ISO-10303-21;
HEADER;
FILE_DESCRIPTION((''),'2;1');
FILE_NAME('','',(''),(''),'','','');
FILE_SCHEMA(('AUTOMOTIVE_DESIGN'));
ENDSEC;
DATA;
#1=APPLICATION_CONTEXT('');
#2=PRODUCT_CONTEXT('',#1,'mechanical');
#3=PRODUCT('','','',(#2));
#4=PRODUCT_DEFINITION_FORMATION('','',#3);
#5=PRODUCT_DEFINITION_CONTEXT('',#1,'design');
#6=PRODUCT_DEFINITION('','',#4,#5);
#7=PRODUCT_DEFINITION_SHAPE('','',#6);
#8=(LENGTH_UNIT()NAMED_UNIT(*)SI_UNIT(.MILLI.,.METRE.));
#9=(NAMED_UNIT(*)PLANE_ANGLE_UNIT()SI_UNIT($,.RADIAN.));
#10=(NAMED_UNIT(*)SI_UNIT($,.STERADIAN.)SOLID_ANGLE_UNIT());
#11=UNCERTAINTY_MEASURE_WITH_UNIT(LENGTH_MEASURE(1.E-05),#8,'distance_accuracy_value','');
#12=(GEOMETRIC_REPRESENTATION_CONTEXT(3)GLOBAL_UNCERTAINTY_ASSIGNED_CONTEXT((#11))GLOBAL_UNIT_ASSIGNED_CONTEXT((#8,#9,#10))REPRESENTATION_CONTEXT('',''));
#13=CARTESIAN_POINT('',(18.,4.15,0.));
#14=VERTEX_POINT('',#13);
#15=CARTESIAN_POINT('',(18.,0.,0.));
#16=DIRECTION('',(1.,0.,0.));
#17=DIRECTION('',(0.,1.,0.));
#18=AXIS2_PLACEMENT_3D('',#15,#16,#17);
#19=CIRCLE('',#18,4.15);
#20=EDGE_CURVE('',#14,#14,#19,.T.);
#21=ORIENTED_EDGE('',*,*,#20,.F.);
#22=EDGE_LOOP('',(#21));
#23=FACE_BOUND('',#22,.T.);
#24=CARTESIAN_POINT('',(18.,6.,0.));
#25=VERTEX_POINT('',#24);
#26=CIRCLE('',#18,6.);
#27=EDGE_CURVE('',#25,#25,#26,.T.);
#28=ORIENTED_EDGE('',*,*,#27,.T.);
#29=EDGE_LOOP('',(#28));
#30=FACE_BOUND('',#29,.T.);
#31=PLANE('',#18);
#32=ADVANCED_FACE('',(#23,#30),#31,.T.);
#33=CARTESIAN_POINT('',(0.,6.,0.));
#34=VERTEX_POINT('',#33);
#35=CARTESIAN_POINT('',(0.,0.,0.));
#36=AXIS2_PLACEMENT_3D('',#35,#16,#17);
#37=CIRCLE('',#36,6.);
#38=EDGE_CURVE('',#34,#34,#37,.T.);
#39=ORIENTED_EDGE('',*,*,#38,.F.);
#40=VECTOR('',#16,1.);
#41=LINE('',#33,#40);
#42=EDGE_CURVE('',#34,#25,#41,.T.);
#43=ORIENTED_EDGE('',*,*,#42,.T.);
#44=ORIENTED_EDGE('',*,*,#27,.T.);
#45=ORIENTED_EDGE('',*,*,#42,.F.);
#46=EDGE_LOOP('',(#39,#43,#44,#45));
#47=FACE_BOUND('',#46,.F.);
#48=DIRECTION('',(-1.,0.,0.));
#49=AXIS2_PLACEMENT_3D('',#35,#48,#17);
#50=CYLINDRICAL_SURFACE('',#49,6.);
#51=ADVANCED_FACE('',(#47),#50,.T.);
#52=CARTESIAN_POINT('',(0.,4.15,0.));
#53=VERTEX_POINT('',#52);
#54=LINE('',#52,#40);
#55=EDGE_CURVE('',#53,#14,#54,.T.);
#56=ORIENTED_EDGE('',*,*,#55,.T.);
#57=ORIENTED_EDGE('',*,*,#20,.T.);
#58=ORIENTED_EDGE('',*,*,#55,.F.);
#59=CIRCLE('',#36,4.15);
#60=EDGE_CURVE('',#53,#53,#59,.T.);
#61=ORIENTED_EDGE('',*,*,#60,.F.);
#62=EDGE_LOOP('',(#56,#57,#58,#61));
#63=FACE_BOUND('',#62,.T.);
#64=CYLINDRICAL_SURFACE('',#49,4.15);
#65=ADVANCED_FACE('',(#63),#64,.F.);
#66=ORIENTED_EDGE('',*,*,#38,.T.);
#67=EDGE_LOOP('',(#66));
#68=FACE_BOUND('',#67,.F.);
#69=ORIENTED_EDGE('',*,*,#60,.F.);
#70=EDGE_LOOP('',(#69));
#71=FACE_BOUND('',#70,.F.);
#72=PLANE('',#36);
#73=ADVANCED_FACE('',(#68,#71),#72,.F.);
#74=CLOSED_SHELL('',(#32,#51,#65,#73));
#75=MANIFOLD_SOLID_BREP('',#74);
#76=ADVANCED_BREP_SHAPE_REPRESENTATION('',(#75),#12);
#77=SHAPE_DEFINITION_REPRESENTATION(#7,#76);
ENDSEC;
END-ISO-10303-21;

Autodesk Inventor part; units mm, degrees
ref_plane "YZ Plane" through (0, 0, 0) normal (1, 0, 0) x (0, 1, 0)
ref_plane "XZ Plane" through (0, 0, 0) normal (0, 1, 0) x (-1, 0, 0)
ref_plane "XY Plane" through (0, 0, 0) normal (0, 0, 1) x (1, 0, 0)
sketch "スケッチ1" plane through (0, 0, 0) normal (1, 0, 0) x (0, 1, 0)
  circle A0 centre (0, 0) radius 6
  circle A1 centre (0, 0) radius 4.15
  dimension "d0" = 12
  dimension "d1" = 8.3
extrude "押し出し1" add sketch "スケッチ1" along normal blind 18
properties part number "RZvector-v1-3DP-P-Spacer-2" material "ABS プラスチック"
